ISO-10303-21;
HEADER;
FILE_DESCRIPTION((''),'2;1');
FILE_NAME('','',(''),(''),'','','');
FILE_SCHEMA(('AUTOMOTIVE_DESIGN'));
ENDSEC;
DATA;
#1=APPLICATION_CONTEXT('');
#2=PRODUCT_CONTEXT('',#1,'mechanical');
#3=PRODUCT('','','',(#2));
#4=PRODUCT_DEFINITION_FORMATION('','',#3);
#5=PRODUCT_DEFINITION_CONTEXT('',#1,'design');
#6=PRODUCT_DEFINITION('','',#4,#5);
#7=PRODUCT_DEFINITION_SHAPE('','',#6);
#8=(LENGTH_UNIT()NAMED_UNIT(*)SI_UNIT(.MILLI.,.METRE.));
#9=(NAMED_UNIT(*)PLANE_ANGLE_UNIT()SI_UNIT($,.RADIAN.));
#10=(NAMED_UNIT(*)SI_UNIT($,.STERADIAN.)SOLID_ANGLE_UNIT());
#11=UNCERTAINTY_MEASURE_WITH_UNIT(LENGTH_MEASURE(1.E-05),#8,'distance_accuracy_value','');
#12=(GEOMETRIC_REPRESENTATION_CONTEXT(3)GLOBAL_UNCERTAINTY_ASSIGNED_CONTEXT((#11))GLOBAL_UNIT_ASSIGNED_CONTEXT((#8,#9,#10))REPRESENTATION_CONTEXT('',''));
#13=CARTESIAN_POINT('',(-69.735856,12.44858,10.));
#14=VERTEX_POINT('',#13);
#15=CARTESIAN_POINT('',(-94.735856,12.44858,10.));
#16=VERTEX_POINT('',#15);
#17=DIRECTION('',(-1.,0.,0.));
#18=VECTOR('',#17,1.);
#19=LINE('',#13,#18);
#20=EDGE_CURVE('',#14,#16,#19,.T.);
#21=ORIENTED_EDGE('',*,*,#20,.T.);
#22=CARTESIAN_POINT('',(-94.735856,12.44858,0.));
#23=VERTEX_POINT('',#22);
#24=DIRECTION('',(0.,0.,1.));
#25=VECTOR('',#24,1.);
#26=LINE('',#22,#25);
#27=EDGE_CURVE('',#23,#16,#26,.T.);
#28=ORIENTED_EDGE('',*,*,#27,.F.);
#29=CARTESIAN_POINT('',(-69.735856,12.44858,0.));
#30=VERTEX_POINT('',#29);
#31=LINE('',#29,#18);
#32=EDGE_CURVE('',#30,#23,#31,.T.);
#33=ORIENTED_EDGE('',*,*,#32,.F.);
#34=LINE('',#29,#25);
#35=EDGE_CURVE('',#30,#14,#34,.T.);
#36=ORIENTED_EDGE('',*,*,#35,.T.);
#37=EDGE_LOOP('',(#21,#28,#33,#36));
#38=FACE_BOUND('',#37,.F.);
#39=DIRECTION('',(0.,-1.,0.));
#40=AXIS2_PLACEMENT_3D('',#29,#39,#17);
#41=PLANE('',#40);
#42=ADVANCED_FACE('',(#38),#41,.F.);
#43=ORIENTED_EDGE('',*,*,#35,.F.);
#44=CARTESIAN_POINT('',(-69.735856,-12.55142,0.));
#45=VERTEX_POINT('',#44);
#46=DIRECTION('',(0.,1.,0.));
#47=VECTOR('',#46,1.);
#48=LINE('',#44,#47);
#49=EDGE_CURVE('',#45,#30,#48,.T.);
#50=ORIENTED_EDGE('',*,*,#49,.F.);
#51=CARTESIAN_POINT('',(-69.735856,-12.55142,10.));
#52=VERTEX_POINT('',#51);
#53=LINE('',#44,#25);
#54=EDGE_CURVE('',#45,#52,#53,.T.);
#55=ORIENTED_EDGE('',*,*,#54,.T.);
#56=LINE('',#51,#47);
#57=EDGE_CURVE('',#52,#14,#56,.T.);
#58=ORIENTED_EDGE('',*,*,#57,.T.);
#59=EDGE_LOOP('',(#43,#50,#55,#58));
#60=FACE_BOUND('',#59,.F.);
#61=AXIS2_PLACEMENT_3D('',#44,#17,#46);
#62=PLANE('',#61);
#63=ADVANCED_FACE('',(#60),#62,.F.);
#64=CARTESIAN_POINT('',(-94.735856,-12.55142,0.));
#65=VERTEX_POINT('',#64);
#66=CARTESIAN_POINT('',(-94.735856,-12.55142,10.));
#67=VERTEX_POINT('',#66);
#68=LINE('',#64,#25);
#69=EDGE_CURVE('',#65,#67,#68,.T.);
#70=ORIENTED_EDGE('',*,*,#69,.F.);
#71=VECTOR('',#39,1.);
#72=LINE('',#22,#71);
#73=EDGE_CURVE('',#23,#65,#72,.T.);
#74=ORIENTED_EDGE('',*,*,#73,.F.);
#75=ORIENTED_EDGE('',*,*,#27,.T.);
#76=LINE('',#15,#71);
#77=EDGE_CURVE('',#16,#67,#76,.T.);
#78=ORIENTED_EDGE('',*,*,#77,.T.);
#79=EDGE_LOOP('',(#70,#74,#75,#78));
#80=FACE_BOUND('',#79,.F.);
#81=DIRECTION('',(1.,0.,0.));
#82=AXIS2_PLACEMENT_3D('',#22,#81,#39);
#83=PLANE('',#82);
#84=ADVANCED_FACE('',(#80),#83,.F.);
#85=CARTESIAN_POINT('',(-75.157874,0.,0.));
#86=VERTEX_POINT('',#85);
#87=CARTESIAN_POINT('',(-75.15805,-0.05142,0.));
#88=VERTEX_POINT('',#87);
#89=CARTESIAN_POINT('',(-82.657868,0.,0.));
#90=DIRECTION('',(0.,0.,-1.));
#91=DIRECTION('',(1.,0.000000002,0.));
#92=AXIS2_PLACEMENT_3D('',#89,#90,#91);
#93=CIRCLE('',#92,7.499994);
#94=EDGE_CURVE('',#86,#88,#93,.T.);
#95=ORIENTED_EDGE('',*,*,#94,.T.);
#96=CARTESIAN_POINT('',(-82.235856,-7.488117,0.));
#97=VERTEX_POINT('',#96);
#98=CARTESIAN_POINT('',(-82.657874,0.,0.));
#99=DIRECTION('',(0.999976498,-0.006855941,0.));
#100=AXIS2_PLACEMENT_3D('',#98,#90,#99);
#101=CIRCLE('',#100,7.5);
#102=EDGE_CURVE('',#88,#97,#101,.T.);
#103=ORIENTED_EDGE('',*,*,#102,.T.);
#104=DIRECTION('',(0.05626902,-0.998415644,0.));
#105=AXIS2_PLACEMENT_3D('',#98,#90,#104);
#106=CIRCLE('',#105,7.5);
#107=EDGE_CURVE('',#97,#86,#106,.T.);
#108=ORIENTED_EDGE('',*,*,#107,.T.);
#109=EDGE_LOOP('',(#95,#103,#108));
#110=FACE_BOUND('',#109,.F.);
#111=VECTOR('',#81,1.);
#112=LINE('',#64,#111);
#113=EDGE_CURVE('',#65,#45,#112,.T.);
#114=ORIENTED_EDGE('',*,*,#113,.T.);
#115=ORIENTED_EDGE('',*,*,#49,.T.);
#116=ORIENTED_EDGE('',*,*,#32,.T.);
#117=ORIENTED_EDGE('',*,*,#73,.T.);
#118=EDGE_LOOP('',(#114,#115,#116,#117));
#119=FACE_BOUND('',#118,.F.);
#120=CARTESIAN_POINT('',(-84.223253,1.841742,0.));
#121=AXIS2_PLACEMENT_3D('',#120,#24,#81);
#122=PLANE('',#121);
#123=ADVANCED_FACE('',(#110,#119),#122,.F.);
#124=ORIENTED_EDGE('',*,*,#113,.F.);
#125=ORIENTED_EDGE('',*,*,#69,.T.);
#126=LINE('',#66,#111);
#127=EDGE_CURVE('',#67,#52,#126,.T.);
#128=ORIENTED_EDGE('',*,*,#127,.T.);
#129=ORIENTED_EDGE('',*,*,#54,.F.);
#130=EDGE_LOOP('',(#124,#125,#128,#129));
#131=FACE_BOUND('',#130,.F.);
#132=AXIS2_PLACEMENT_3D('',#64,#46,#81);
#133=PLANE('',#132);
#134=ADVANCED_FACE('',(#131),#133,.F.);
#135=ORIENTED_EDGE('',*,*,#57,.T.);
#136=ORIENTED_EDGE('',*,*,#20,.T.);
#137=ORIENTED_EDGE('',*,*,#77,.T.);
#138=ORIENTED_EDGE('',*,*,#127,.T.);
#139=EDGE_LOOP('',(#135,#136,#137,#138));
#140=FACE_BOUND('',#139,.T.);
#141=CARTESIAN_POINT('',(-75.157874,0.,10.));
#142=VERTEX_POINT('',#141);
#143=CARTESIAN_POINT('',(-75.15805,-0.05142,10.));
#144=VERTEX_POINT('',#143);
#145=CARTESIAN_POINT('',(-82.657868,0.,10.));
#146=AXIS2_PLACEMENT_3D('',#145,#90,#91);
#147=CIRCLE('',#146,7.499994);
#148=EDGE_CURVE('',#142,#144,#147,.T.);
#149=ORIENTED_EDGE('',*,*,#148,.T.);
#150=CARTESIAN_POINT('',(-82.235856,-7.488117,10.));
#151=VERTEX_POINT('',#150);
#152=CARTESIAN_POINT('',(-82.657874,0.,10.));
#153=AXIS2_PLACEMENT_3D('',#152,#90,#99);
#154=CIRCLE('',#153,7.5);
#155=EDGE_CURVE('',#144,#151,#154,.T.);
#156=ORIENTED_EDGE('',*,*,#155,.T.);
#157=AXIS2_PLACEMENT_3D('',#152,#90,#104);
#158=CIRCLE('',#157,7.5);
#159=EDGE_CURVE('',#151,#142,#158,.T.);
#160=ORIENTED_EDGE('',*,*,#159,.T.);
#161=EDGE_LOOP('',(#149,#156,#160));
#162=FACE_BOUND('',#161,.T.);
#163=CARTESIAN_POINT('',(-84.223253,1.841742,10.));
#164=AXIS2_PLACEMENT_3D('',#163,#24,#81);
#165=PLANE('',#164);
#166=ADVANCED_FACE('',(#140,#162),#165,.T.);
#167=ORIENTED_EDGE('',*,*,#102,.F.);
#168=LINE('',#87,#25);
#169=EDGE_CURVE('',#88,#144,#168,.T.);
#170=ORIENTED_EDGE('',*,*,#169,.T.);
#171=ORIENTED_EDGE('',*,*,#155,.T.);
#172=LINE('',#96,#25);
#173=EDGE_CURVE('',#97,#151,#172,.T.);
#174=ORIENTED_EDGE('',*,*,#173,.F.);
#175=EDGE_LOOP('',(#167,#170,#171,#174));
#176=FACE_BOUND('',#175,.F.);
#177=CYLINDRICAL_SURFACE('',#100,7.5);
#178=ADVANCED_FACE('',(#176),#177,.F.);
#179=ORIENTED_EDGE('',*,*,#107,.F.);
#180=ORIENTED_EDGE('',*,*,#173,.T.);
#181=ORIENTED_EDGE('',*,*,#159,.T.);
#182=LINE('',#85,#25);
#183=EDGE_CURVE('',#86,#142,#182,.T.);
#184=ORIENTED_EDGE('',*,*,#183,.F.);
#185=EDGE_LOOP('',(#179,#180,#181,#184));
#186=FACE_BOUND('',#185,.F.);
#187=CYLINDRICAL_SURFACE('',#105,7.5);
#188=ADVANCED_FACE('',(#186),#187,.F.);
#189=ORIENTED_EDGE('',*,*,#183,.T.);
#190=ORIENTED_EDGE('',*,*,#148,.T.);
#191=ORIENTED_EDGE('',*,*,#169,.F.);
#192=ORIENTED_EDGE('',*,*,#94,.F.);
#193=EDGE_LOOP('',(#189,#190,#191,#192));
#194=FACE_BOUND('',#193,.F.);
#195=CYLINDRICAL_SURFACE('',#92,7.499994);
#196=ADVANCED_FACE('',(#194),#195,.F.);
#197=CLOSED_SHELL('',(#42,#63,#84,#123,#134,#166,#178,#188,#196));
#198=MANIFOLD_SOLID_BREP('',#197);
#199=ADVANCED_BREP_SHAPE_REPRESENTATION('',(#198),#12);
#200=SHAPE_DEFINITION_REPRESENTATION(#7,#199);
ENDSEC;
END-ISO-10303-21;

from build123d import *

# Parameters (mm, degrees)
F1_DEPTH = 10


with BuildPart() as f1:
    # F0 (on Top) → F1 (new body)
    with BuildSketch(Plane.XY):
        with BuildLine():
            Line((-69.7358559817, 12.4485804441), (-94.7358559817, 12.4485804441))
            Line((-94.7358559817, 12.4485804441), (-94.7358559817, -12.5514195559))
            Line((-94.7358559817, -12.5514195559), (-82.2358559817, -12.5514195559))
            Line((-82.2358559817, -12.5514195559), (-82.2358559817, -7.4881173271))
            ThreePointArc((-82.2358559817, -7.4881173271), (-88.1083383981, 5.1519349585), (-75.1578736305, 0))
            ThreePointArc((-75.1578736305, 0), (-75.1579176973, -0.025709929), (-75.1580498973, -0.0514195559))
            Line((-75.1580498973, -0.0514195559), (-69.7358559817, -0.0514195559))
            Line((-69.7358559817, -0.0514195559), (-69.7358559817, 12.4485804441))
        make_face()
        with BuildLine():
            Line((-69.7358559817, -12.5514195559), (-69.7358559817, -0.0514195559))
            Line((-69.7358559817, -0.0514195559), (-75.1580498973, -0.0514195559))
            ThreePointArc((-75.1580498973, -0.0514195559), (-77.2251016718, -5.1705888296), (-82.2358559817, -7.4881173271))
            Line((-82.2358559817, -7.4881173271), (-82.2358559817, -12.5514195559))
            Line((-82.2358559817, -12.5514195559), (-69.7358559817, -12.5514195559))
        make_face()
    extrude(amount=F1_DEPTH)


solid = f1.part
